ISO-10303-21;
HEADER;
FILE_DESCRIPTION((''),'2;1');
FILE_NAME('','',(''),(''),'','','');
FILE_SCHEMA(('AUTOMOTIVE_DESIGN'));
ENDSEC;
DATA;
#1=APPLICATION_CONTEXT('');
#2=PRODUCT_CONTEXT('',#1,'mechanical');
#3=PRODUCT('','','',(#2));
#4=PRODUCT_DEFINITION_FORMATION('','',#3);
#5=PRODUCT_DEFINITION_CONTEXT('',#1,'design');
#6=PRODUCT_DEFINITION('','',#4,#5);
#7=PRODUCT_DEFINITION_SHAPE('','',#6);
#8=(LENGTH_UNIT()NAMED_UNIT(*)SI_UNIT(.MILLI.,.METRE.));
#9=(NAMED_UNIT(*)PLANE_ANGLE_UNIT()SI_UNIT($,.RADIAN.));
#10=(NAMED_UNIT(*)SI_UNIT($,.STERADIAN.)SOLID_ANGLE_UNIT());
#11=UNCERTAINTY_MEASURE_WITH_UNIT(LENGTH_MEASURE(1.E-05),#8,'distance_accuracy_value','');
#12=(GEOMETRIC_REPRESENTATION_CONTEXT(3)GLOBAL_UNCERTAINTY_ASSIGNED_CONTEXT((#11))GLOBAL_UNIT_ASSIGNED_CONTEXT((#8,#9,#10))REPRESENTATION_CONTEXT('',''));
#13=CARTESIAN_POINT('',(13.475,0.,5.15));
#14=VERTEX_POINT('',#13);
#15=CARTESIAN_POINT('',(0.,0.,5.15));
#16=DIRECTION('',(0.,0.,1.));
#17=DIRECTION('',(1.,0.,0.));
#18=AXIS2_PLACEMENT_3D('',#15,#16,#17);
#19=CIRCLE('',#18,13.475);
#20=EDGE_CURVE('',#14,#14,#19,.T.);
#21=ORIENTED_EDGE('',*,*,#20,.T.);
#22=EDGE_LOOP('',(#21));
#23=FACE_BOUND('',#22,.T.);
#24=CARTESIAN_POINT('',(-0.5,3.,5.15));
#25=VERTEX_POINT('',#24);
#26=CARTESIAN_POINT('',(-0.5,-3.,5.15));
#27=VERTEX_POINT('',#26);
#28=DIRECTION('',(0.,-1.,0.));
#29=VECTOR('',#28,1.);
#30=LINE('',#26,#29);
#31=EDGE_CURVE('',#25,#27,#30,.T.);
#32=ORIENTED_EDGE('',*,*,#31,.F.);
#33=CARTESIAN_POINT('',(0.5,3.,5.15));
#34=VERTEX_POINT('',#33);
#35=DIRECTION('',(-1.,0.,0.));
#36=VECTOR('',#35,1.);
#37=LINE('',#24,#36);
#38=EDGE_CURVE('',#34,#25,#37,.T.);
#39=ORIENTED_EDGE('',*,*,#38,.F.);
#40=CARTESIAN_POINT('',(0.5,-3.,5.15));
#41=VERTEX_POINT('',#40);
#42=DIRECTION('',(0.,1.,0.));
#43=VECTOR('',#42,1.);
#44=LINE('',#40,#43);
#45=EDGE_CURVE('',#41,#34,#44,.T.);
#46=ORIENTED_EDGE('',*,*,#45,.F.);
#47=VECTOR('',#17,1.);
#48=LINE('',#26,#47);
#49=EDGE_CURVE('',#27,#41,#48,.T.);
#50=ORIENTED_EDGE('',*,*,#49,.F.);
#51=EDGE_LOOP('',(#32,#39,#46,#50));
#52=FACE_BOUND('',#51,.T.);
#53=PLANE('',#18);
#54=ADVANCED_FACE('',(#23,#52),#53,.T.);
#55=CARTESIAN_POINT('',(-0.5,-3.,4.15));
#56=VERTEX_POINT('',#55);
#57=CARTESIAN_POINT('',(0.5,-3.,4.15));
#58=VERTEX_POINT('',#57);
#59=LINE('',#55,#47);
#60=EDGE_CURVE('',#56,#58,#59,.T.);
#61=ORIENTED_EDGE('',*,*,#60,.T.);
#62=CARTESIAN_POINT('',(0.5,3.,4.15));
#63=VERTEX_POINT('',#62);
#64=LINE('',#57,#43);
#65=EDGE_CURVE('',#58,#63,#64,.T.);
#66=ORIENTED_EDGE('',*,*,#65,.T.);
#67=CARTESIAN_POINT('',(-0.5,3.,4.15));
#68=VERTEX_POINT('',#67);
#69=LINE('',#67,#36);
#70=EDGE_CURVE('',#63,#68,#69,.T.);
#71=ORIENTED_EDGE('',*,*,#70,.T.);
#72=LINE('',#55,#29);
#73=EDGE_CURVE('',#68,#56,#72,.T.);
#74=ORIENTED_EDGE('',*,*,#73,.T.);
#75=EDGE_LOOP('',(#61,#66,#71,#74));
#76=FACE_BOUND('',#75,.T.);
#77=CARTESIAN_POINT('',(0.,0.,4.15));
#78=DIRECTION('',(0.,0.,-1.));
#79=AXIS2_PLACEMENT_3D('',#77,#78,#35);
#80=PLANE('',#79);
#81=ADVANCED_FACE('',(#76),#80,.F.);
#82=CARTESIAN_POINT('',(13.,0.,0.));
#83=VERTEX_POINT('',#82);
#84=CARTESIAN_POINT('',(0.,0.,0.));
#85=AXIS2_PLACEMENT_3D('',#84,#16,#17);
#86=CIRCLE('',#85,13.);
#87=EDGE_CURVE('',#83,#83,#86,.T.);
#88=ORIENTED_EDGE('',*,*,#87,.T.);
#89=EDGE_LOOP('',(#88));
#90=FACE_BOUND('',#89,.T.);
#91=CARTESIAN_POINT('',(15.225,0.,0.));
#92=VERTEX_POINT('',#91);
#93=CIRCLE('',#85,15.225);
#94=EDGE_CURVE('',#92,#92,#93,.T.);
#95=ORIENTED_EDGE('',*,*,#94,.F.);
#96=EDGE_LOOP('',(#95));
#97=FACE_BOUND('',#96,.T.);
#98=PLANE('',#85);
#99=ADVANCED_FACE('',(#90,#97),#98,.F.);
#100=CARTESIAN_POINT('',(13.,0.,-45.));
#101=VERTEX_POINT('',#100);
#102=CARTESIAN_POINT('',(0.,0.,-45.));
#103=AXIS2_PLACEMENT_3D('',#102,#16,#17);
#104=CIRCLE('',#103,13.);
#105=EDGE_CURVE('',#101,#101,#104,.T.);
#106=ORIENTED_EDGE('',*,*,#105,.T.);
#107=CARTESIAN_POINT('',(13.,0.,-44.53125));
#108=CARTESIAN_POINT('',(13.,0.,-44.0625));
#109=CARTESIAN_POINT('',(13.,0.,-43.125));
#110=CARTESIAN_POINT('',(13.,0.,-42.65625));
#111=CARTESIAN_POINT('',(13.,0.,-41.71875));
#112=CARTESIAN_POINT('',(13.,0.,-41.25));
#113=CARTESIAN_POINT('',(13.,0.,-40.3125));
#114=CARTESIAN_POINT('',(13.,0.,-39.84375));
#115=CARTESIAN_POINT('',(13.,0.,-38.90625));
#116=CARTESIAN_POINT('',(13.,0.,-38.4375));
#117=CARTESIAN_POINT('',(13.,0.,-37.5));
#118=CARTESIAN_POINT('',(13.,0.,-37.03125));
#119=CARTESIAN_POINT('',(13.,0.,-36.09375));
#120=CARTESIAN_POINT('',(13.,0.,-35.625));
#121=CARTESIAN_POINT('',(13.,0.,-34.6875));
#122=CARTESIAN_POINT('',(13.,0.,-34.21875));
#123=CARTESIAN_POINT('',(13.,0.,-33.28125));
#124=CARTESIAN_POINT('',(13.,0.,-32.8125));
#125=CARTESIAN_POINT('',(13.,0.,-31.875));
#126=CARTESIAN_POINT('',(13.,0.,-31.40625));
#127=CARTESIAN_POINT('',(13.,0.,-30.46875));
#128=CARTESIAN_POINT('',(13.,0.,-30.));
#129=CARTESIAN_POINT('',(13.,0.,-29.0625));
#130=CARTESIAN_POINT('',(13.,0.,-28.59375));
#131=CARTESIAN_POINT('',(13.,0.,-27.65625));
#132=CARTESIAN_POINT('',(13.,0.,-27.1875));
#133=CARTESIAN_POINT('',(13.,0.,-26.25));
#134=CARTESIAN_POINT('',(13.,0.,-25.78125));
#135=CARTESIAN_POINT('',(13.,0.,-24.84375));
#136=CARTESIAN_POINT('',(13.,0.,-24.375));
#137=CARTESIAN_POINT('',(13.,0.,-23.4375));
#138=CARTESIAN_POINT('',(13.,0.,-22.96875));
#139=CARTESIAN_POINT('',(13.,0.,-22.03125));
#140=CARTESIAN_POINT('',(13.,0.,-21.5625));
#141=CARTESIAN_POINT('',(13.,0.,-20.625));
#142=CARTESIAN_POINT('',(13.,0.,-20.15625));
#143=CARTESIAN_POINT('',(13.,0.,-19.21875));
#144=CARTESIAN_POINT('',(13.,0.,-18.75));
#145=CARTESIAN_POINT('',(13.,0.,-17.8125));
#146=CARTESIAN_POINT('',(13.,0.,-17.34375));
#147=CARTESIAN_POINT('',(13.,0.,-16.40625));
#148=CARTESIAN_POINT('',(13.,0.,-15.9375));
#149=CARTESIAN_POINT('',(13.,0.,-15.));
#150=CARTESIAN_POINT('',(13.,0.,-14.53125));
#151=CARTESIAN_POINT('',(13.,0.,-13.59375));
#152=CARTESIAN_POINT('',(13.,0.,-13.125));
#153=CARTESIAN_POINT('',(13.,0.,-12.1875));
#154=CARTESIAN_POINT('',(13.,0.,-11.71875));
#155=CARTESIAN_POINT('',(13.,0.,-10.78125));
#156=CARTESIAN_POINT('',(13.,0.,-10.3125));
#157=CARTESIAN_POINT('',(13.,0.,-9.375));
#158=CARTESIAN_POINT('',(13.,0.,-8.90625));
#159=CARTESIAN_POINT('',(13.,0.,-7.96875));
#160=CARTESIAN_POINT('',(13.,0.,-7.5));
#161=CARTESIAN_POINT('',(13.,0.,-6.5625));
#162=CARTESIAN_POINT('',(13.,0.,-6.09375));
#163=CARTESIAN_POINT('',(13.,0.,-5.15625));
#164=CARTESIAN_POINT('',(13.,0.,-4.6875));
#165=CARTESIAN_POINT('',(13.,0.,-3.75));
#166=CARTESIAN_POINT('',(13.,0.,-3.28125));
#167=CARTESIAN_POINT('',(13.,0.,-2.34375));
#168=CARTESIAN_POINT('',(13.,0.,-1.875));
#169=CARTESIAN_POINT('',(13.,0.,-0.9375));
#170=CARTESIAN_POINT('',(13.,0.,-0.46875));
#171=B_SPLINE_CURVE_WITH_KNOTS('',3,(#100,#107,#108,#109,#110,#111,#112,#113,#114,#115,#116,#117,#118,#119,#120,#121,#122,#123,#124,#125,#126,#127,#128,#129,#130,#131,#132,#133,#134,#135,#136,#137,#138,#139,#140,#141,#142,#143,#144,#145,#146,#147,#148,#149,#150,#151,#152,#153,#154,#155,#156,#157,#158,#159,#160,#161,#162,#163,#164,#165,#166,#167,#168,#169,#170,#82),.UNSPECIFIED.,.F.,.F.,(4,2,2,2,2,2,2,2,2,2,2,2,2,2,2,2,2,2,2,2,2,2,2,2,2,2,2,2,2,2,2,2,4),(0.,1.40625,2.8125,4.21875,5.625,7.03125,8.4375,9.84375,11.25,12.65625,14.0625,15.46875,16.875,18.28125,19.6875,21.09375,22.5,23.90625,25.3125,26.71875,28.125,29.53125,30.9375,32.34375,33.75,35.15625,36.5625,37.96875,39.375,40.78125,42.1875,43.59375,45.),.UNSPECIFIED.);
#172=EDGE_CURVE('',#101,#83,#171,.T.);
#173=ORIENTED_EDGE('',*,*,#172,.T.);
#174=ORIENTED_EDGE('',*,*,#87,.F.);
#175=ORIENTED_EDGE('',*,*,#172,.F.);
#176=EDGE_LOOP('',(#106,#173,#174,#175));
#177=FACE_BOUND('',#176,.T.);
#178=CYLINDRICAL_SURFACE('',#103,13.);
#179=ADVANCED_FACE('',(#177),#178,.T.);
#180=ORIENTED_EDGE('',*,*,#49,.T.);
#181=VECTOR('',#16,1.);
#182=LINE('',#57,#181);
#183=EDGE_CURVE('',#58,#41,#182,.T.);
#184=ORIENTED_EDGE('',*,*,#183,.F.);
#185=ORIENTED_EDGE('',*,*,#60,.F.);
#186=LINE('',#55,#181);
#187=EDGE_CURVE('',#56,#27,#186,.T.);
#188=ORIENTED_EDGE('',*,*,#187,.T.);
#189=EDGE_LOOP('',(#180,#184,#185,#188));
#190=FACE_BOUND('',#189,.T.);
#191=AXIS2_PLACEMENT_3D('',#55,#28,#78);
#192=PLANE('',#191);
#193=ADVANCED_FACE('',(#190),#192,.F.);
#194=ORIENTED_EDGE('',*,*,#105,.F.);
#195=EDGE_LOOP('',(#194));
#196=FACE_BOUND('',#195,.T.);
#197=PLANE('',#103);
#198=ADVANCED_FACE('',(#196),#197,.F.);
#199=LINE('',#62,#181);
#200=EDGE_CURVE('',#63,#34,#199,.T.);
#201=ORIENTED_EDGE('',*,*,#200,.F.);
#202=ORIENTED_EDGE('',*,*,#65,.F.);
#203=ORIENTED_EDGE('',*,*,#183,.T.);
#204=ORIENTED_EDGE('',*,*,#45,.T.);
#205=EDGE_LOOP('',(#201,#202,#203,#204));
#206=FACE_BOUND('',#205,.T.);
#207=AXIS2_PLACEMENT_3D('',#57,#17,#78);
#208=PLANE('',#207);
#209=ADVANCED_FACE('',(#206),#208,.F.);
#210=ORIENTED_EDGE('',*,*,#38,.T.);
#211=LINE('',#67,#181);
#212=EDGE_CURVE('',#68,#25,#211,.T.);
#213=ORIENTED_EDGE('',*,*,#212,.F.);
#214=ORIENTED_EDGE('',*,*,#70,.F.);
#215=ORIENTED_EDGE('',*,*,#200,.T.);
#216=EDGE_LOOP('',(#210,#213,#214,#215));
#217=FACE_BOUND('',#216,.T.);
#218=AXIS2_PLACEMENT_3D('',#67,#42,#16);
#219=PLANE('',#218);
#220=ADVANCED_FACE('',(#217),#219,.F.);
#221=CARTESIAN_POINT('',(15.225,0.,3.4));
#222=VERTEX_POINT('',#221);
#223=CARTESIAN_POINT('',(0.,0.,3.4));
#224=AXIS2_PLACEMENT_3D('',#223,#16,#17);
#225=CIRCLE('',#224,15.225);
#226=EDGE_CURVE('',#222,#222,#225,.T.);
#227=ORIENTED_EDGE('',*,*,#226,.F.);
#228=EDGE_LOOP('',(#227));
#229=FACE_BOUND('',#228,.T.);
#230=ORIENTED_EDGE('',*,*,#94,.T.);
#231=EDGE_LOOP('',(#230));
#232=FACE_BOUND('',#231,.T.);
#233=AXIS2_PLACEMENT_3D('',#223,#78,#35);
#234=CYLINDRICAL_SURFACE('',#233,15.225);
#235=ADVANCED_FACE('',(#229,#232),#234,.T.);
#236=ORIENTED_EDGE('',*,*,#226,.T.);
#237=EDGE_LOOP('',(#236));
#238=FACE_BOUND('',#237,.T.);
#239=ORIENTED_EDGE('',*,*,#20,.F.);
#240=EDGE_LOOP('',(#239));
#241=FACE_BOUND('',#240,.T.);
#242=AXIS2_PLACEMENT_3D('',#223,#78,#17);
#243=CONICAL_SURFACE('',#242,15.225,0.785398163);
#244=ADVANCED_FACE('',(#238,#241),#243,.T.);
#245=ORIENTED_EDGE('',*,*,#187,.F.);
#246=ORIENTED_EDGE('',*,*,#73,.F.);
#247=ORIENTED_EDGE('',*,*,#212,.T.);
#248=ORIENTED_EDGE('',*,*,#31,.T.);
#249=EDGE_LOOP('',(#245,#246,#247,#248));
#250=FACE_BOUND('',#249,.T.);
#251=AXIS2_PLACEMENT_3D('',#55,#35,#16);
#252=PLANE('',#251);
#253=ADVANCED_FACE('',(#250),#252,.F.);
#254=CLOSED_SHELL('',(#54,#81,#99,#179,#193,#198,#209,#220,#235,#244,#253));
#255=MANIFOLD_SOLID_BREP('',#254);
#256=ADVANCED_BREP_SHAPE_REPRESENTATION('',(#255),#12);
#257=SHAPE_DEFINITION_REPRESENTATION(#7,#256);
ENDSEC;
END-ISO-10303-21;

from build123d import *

# Parameters (mm, degrees)
SKETCH1_R           = 13
BOSS_EXTRUDE1_DEPTH = 45
SKETCH2_R           = 15.225
BOSS_EXTRUDE2_DEPTH = 3.4
SKETCH3_R           = 15.225
BOSS_EXTRUDE3_DEPTH = 1.75
BOSS_EXTRUDE3_TAPER = 45
SKETCH4_W           = 1
SKETCH4_H           = 6
CUT_EXTRUDE1_DEPTH  = 1


with BuildPart() as part:
    # Sketch1 → Boss-Extrude1 (new body)
    with BuildSketch(Plane.XY):
        Circle(SKETCH1_R)
    extrude(amount=-BOSS_EXTRUDE1_DEPTH)

    # Sketch2 → Boss-Extrude2 (add)
    with BuildSketch(Plane.XY):
        Circle(SKETCH2_R)
    extrude(amount=BOSS_EXTRUDE2_DEPTH)

    # Sketch3 → Boss-Extrude3 (add)
    with BuildSketch(Plane.XY.offset(3.4)):
        Circle(SKETCH3_R)
    extrude(amount=BOSS_EXTRUDE3_DEPTH, taper=BOSS_EXTRUDE3_TAPER)

    # Sketch4 → Cut-Extrude1 (cut)
    with BuildSketch(Plane.XY.offset(5.15)):
        Rectangle(SKETCH4_W, SKETCH4_H)
    extrude(amount=-CUT_EXTRUDE1_DEPTH, mode=Mode.SUBTRACT)


solid = part.part
